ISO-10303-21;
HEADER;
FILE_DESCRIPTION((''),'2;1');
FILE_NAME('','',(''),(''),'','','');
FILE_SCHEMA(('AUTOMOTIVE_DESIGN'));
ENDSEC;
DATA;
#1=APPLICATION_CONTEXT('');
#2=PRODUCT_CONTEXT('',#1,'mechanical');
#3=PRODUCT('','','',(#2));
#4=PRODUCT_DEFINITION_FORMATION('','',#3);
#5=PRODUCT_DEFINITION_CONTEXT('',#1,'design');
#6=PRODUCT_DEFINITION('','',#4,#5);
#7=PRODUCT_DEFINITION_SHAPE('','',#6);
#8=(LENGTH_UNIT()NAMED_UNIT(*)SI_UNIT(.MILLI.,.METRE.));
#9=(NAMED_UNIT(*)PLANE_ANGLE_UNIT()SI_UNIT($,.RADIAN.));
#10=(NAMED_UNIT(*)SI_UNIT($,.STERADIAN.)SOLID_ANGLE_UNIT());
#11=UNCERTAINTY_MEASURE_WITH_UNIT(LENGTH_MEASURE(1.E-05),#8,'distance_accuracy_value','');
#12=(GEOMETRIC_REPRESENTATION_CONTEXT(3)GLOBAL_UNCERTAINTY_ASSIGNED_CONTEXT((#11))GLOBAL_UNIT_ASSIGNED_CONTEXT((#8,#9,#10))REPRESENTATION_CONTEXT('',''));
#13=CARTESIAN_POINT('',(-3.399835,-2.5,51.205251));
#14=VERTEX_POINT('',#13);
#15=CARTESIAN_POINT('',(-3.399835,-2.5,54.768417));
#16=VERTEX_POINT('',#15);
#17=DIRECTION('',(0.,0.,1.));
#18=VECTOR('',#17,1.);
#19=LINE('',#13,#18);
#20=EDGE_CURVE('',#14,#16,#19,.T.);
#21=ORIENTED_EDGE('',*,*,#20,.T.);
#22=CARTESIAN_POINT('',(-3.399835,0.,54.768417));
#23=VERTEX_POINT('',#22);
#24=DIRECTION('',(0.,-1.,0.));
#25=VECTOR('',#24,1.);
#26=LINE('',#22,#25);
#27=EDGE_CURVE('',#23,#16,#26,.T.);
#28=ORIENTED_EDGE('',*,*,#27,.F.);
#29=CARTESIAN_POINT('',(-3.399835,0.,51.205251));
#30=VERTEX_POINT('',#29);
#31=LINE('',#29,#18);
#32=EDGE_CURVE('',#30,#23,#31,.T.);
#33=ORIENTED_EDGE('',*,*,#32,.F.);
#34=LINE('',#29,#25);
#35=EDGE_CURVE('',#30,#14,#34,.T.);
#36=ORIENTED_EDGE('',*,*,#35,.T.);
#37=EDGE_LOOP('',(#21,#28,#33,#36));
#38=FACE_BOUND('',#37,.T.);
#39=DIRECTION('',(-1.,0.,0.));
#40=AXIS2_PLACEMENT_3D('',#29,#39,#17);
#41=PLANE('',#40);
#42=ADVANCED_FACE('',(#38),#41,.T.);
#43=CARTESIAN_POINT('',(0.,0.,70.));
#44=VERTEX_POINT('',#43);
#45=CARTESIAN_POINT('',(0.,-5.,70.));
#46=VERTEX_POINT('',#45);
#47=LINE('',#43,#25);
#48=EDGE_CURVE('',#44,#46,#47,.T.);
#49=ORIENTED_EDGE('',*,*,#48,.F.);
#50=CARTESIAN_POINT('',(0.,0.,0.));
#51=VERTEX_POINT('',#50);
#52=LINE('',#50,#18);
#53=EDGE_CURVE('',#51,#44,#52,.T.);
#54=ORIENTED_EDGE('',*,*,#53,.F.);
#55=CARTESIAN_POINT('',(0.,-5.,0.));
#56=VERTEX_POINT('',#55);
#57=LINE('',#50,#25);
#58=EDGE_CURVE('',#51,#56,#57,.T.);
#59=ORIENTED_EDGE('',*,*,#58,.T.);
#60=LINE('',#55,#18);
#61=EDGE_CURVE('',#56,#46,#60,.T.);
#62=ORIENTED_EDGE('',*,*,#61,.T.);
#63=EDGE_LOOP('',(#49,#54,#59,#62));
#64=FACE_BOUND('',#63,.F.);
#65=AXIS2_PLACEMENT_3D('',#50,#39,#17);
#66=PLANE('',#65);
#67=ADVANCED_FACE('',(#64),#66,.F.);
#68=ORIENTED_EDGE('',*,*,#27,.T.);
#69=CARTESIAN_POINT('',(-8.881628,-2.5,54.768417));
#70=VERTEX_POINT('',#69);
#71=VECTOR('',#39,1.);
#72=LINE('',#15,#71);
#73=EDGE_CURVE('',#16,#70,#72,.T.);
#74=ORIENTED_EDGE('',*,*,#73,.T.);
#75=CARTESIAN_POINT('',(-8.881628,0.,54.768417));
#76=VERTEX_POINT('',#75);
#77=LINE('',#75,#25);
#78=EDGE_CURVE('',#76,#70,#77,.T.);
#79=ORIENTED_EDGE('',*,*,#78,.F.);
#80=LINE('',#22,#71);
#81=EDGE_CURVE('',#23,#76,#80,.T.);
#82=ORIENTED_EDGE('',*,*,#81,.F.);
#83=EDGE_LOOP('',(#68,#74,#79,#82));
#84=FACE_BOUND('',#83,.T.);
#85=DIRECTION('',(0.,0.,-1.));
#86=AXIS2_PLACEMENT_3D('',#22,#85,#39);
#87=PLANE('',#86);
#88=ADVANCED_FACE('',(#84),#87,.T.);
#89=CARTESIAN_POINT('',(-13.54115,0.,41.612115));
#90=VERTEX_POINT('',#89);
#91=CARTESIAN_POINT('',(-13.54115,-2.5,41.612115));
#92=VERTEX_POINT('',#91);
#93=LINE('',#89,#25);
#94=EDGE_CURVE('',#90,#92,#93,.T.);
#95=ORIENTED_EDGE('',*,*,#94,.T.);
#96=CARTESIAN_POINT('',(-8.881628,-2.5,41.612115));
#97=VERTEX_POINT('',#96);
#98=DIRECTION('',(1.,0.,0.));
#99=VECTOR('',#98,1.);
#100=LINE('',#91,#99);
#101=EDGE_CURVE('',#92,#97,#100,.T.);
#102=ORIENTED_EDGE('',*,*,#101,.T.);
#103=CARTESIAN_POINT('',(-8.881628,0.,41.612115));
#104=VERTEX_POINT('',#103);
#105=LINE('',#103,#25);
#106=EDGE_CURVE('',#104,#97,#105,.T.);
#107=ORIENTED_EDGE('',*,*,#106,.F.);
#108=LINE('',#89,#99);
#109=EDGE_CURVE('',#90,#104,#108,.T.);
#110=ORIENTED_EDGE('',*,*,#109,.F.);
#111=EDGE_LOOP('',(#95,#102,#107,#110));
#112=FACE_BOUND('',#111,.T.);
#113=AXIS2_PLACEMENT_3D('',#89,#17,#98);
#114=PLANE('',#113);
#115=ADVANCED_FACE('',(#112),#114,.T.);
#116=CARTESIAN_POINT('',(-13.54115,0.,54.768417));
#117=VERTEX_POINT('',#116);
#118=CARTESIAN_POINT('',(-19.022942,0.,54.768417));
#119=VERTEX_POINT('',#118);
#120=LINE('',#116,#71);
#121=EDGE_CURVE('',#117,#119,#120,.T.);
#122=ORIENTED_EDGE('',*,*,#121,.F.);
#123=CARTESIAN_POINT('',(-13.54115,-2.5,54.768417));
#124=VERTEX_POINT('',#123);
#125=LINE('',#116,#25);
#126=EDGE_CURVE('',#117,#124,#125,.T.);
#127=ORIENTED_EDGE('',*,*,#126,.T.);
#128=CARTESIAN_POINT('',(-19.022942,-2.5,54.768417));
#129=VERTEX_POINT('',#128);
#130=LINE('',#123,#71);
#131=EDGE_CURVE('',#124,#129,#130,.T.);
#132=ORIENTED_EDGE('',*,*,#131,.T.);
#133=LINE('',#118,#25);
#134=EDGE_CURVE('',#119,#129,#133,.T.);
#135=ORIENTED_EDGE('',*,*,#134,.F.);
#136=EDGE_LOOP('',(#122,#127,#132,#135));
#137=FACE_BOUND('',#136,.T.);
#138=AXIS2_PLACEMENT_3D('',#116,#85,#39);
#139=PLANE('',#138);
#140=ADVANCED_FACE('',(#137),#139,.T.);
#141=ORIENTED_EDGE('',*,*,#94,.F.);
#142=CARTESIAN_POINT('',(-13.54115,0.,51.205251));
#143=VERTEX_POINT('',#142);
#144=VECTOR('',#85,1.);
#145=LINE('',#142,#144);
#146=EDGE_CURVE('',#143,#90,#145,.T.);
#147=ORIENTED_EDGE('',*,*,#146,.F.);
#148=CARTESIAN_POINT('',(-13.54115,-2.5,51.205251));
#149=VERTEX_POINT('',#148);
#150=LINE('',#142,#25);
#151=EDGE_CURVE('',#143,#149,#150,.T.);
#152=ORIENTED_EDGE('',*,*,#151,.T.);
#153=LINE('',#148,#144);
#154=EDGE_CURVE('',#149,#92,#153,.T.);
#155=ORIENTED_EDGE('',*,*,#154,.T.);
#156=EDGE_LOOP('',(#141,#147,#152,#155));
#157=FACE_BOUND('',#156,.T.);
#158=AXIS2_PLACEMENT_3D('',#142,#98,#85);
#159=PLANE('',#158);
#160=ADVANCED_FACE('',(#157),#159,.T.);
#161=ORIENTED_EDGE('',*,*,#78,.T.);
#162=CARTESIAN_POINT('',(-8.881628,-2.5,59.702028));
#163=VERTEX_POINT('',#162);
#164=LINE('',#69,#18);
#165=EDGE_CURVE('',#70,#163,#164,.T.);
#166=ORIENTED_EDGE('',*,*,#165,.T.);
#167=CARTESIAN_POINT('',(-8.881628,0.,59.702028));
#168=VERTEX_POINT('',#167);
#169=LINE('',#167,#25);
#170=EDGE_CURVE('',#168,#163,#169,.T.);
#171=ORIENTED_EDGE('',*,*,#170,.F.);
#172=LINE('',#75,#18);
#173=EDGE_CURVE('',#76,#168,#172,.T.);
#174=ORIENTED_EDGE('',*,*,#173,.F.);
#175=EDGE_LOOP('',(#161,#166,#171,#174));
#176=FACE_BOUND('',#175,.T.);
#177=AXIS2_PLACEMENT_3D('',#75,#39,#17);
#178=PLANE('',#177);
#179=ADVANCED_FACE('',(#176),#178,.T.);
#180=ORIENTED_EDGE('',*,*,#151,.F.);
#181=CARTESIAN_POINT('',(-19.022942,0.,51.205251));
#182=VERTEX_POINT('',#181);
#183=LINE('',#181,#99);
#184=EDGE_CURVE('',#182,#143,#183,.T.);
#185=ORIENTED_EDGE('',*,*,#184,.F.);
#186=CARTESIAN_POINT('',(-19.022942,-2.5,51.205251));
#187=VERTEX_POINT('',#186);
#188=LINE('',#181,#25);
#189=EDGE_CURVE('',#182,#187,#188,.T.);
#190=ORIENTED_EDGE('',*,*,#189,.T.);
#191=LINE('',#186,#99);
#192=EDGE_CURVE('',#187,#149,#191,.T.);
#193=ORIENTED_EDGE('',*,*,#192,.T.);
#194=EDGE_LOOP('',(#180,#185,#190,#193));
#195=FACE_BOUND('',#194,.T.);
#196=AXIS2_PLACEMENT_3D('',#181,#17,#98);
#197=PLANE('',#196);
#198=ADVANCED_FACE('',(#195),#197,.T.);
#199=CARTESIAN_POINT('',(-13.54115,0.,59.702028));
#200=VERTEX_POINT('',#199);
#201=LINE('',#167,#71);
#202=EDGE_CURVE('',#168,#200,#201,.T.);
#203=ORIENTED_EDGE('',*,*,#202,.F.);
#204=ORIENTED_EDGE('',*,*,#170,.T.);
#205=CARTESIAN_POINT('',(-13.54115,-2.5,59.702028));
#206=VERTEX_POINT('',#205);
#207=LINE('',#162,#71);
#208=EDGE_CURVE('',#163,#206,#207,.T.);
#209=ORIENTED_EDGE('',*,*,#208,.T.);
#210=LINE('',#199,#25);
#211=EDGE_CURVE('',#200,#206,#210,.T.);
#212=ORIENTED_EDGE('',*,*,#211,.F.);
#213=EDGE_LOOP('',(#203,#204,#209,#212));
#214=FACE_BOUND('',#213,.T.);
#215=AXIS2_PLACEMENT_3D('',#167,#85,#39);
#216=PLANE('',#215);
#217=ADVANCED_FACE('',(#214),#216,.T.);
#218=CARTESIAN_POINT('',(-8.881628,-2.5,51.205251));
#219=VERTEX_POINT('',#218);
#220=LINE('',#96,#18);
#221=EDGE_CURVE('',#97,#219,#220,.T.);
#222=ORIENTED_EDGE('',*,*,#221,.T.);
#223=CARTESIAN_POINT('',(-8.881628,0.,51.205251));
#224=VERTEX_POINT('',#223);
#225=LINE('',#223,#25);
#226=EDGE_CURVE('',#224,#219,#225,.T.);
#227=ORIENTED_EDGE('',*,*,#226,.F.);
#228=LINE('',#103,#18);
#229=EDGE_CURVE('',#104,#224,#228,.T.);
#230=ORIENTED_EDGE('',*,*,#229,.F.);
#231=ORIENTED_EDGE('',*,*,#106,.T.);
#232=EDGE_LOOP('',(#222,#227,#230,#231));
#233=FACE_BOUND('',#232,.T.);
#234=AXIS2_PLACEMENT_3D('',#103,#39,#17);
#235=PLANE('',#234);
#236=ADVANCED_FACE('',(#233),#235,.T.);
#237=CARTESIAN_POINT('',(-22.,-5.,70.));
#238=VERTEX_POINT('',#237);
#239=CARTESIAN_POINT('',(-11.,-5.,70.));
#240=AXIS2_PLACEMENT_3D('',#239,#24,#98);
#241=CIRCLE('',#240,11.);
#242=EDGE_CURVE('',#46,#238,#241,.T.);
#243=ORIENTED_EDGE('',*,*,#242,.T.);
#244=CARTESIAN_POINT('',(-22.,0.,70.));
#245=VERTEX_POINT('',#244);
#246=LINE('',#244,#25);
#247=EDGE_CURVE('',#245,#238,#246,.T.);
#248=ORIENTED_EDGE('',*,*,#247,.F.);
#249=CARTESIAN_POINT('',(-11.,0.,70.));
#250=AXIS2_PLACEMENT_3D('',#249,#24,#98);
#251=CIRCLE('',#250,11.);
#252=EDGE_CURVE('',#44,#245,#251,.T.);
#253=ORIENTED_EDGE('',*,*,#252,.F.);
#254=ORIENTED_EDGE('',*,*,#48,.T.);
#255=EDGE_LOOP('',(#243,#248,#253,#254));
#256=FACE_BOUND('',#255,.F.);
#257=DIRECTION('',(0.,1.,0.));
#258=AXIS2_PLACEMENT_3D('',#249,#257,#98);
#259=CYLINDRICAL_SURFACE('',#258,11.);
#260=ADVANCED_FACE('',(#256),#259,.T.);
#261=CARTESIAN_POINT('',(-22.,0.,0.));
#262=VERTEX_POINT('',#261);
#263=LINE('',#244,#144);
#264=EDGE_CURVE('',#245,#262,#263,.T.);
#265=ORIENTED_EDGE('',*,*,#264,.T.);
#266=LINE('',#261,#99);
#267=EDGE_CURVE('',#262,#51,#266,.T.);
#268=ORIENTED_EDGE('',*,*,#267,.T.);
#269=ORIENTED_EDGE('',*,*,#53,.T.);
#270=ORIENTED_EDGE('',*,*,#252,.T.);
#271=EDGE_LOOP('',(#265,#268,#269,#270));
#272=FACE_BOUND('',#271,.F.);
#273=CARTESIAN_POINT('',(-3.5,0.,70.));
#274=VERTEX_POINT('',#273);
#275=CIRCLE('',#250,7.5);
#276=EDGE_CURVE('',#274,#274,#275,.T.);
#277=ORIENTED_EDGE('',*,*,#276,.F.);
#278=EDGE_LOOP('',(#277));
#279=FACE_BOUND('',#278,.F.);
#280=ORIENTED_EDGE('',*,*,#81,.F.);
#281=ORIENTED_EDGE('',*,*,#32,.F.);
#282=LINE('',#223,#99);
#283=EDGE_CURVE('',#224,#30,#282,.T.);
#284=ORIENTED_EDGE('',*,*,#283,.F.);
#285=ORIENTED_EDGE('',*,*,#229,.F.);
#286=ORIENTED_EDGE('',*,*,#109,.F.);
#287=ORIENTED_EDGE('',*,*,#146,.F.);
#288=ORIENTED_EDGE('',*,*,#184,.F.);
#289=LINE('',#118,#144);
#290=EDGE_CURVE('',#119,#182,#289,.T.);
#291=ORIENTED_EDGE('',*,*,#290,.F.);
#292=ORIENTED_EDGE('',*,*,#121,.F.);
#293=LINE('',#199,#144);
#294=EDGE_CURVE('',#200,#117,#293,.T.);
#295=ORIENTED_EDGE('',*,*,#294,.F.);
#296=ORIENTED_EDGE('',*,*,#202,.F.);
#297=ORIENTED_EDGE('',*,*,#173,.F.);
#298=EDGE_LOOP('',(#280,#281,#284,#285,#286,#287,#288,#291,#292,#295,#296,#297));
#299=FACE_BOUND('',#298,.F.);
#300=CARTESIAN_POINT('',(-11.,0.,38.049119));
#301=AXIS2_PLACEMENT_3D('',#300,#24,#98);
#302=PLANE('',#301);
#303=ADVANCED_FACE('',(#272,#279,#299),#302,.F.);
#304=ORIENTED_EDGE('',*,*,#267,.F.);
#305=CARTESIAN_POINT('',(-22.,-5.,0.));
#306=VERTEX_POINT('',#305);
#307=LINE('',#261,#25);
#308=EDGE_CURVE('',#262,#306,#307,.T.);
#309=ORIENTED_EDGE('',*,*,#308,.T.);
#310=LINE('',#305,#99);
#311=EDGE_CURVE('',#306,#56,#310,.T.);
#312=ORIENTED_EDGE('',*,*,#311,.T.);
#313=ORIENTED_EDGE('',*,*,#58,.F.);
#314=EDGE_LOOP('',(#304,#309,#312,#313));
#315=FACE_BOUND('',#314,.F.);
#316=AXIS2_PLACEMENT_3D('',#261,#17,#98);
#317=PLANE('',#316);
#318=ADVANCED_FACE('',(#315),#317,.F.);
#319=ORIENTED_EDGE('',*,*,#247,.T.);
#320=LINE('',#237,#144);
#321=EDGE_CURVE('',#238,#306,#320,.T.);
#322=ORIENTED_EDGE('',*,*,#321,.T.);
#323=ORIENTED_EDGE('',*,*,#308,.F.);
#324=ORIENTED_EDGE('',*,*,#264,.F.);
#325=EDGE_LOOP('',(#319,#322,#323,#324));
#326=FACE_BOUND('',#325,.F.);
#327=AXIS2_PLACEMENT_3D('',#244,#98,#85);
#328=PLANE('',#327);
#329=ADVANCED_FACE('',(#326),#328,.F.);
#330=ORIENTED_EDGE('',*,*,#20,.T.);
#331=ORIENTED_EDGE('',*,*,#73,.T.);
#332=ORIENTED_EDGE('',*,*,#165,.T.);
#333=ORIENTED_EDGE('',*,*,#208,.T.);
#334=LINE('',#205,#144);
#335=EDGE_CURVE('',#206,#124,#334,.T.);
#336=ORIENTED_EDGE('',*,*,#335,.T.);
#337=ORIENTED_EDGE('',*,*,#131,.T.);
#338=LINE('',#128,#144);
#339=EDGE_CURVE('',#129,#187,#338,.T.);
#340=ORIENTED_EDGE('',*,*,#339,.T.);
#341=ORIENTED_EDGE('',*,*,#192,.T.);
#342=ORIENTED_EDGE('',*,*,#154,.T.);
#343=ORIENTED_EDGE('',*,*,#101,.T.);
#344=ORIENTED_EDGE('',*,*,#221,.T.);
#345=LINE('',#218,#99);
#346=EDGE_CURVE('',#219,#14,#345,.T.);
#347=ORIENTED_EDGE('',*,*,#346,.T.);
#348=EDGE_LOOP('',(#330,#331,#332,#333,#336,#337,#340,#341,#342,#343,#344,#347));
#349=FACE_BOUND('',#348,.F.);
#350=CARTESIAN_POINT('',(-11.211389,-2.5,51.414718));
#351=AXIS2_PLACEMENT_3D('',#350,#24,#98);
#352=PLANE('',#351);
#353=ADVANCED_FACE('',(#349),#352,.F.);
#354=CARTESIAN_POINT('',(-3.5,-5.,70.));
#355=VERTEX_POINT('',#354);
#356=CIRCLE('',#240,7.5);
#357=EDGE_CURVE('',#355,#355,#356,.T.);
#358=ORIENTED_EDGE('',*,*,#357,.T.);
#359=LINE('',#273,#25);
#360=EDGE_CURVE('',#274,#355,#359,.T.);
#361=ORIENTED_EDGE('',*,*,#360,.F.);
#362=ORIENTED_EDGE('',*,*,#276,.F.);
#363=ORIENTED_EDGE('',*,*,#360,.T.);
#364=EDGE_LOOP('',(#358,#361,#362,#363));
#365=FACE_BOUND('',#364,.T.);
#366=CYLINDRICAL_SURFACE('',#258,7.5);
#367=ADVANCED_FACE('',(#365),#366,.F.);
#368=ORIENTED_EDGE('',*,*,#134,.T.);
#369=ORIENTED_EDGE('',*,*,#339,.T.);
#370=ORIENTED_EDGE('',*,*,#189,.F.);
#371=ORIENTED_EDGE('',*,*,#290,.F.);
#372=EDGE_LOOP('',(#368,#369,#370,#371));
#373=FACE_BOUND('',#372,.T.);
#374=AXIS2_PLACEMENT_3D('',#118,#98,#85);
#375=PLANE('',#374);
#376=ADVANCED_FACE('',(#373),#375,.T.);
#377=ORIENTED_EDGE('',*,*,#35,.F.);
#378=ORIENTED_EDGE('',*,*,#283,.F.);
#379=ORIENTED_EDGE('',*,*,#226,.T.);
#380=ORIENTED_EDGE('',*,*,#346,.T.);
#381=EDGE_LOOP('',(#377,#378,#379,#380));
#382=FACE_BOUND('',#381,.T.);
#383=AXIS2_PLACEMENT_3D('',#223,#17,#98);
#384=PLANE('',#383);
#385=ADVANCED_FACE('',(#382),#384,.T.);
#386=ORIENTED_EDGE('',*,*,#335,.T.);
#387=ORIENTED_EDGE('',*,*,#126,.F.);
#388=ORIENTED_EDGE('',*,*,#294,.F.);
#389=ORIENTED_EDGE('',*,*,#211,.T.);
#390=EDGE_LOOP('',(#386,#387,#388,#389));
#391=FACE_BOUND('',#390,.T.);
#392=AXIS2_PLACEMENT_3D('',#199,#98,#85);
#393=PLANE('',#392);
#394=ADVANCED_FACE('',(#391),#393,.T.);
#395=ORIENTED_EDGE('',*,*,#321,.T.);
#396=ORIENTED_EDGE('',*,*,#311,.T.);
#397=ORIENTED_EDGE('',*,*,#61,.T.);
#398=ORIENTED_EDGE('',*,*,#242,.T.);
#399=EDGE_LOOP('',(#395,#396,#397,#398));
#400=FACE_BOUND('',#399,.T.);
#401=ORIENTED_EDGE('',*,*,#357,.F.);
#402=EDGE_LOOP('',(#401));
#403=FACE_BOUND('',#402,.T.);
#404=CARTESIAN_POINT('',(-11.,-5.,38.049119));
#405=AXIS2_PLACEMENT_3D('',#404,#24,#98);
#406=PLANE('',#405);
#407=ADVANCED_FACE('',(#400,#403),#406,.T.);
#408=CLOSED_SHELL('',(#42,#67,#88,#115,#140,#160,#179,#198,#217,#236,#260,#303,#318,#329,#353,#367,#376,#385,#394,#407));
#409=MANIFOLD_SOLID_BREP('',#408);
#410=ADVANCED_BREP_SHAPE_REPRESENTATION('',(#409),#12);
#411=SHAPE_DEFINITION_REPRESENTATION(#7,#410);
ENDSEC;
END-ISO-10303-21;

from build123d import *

# Parameters (mm, degrees)
F0_R     = 7.5
F1_DEPTH = 5
F3_DEPTH = 2.5


with BuildPart() as f1:
    # F0 (on Front) → F1 (new body)
    with BuildSketch(Plane.XZ):
        with BuildLine():
            Line((-22, 70), (-22, 0))
            Line((-22, 0), (0, 0))
            Line((0, 0), (0, 70))
            ThreePointArc((0, 70), (-11, 81), (-22, 70))
        make_face()
        with Locations((-11, 70)):
            Circle(F0_R, mode=Mode.SUBTRACT)
    extrude(amount=F1_DEPTH)

    # F2 (on Front) → F3 (cut)
    with BuildSketch(Plane.XZ):
        Polygon((-8.881628, 59.702028), (-13.54115, 59.702028), (-13.54115, 54.768417), (-19.022942, 54.768417), (-19.022942, 51.205251), (-13.54115, 51.205251), (-13.54115, 41.612115), (-8.881628, 41.612115), (-8.881628, 51.205251), (-3.399835, 51.205251), (-3.399835, 54.768417), (-8.881628, 54.768417), align=None)
    extrude(amount=F3_DEPTH, mode=Mode.SUBTRACT)


solid = f1.part
